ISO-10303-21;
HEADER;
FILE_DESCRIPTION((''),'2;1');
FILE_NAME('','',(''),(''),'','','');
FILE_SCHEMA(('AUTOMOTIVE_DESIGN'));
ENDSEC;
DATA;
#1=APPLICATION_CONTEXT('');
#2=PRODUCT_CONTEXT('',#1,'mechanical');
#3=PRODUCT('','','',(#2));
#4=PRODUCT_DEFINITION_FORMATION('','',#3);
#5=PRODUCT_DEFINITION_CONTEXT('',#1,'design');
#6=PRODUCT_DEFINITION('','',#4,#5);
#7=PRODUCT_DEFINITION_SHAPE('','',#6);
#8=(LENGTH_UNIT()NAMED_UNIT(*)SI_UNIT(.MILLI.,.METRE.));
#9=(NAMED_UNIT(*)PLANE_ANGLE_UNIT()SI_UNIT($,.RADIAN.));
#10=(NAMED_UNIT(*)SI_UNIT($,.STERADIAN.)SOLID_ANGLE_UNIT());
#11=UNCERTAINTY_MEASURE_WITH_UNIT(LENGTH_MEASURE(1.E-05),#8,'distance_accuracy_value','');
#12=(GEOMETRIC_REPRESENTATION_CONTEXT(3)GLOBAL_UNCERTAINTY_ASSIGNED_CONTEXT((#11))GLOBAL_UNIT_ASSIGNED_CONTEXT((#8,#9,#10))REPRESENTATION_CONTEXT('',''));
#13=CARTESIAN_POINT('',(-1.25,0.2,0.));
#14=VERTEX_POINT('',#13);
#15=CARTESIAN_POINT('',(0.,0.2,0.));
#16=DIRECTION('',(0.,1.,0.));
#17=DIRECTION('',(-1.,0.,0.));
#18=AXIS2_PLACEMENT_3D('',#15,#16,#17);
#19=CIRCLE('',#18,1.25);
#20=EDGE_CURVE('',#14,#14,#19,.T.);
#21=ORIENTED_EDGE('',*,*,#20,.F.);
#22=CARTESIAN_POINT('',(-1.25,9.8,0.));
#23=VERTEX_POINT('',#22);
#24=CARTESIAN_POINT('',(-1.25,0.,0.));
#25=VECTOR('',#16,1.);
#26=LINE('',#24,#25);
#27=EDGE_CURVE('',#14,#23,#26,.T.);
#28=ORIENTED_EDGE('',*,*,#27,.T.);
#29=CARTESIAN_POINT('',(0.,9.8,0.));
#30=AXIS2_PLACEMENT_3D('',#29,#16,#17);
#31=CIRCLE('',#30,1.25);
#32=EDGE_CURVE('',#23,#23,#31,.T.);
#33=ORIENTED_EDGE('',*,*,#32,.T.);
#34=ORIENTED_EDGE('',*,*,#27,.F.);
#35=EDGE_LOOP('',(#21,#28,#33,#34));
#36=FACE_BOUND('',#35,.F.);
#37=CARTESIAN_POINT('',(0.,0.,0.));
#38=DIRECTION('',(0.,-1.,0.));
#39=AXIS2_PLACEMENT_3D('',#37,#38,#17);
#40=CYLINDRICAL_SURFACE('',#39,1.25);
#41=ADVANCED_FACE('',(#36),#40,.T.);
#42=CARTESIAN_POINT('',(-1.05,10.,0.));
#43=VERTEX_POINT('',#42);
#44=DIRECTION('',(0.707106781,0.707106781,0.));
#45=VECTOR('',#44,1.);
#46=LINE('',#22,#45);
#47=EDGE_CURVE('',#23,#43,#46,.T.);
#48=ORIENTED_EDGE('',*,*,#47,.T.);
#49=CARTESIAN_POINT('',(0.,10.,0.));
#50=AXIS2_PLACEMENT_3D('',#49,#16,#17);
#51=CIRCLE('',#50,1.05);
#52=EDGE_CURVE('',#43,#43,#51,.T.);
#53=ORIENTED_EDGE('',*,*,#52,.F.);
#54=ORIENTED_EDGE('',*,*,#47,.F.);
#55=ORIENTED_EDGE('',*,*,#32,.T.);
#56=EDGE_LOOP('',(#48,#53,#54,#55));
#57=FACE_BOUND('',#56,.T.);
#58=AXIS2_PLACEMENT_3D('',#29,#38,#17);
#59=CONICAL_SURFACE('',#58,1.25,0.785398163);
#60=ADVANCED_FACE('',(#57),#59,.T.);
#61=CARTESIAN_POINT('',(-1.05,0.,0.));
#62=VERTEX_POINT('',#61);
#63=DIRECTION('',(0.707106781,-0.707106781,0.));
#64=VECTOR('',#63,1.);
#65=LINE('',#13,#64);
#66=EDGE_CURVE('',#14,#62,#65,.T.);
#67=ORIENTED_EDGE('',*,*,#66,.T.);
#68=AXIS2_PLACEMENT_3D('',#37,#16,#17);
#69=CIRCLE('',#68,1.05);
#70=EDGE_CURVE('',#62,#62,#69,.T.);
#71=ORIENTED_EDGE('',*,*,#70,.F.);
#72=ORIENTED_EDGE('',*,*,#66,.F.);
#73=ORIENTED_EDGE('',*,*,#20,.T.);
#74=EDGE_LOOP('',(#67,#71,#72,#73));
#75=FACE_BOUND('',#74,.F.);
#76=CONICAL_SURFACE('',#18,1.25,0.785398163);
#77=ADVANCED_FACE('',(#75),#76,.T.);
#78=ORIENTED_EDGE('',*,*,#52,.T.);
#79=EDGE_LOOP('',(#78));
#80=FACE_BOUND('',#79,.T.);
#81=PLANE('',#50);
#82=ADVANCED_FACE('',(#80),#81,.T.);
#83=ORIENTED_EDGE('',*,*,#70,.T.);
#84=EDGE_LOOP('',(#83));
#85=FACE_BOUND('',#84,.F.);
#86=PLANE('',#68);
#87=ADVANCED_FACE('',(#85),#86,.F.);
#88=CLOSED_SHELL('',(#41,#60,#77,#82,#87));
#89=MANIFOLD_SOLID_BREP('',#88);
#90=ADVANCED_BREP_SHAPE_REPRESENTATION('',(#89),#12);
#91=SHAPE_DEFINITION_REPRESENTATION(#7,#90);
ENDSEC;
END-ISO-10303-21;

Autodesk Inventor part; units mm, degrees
ref_plane "YZ Plane" through (0, 0, 0) normal (1, 0, 0) x (0, 1, 0)
ref_plane "XZ Plane" through (0, 0, 0) normal (0, 1, 0) x (-1, 0, 0)
ref_plane "XY Plane" through (0, 0, 0) normal (0, 0, 1) x (1, 0, 0)
sketch "Skizze1" plane through (0, 0, 0) normal (0, 1, 0) x (-1, 0, 0)
  circle A0 centre (0, 0) radius 1.25
  dimension "d0" = 2.5
extrude "Extrusion1" add sketch "Skizze1" along normal blind 10
chamfer "Fasen1" distance 0.2 angle 45 2 edges at (1.25, 0, 0) (1.25, 10, 0)
properties part number "BMS_bolt_small"
